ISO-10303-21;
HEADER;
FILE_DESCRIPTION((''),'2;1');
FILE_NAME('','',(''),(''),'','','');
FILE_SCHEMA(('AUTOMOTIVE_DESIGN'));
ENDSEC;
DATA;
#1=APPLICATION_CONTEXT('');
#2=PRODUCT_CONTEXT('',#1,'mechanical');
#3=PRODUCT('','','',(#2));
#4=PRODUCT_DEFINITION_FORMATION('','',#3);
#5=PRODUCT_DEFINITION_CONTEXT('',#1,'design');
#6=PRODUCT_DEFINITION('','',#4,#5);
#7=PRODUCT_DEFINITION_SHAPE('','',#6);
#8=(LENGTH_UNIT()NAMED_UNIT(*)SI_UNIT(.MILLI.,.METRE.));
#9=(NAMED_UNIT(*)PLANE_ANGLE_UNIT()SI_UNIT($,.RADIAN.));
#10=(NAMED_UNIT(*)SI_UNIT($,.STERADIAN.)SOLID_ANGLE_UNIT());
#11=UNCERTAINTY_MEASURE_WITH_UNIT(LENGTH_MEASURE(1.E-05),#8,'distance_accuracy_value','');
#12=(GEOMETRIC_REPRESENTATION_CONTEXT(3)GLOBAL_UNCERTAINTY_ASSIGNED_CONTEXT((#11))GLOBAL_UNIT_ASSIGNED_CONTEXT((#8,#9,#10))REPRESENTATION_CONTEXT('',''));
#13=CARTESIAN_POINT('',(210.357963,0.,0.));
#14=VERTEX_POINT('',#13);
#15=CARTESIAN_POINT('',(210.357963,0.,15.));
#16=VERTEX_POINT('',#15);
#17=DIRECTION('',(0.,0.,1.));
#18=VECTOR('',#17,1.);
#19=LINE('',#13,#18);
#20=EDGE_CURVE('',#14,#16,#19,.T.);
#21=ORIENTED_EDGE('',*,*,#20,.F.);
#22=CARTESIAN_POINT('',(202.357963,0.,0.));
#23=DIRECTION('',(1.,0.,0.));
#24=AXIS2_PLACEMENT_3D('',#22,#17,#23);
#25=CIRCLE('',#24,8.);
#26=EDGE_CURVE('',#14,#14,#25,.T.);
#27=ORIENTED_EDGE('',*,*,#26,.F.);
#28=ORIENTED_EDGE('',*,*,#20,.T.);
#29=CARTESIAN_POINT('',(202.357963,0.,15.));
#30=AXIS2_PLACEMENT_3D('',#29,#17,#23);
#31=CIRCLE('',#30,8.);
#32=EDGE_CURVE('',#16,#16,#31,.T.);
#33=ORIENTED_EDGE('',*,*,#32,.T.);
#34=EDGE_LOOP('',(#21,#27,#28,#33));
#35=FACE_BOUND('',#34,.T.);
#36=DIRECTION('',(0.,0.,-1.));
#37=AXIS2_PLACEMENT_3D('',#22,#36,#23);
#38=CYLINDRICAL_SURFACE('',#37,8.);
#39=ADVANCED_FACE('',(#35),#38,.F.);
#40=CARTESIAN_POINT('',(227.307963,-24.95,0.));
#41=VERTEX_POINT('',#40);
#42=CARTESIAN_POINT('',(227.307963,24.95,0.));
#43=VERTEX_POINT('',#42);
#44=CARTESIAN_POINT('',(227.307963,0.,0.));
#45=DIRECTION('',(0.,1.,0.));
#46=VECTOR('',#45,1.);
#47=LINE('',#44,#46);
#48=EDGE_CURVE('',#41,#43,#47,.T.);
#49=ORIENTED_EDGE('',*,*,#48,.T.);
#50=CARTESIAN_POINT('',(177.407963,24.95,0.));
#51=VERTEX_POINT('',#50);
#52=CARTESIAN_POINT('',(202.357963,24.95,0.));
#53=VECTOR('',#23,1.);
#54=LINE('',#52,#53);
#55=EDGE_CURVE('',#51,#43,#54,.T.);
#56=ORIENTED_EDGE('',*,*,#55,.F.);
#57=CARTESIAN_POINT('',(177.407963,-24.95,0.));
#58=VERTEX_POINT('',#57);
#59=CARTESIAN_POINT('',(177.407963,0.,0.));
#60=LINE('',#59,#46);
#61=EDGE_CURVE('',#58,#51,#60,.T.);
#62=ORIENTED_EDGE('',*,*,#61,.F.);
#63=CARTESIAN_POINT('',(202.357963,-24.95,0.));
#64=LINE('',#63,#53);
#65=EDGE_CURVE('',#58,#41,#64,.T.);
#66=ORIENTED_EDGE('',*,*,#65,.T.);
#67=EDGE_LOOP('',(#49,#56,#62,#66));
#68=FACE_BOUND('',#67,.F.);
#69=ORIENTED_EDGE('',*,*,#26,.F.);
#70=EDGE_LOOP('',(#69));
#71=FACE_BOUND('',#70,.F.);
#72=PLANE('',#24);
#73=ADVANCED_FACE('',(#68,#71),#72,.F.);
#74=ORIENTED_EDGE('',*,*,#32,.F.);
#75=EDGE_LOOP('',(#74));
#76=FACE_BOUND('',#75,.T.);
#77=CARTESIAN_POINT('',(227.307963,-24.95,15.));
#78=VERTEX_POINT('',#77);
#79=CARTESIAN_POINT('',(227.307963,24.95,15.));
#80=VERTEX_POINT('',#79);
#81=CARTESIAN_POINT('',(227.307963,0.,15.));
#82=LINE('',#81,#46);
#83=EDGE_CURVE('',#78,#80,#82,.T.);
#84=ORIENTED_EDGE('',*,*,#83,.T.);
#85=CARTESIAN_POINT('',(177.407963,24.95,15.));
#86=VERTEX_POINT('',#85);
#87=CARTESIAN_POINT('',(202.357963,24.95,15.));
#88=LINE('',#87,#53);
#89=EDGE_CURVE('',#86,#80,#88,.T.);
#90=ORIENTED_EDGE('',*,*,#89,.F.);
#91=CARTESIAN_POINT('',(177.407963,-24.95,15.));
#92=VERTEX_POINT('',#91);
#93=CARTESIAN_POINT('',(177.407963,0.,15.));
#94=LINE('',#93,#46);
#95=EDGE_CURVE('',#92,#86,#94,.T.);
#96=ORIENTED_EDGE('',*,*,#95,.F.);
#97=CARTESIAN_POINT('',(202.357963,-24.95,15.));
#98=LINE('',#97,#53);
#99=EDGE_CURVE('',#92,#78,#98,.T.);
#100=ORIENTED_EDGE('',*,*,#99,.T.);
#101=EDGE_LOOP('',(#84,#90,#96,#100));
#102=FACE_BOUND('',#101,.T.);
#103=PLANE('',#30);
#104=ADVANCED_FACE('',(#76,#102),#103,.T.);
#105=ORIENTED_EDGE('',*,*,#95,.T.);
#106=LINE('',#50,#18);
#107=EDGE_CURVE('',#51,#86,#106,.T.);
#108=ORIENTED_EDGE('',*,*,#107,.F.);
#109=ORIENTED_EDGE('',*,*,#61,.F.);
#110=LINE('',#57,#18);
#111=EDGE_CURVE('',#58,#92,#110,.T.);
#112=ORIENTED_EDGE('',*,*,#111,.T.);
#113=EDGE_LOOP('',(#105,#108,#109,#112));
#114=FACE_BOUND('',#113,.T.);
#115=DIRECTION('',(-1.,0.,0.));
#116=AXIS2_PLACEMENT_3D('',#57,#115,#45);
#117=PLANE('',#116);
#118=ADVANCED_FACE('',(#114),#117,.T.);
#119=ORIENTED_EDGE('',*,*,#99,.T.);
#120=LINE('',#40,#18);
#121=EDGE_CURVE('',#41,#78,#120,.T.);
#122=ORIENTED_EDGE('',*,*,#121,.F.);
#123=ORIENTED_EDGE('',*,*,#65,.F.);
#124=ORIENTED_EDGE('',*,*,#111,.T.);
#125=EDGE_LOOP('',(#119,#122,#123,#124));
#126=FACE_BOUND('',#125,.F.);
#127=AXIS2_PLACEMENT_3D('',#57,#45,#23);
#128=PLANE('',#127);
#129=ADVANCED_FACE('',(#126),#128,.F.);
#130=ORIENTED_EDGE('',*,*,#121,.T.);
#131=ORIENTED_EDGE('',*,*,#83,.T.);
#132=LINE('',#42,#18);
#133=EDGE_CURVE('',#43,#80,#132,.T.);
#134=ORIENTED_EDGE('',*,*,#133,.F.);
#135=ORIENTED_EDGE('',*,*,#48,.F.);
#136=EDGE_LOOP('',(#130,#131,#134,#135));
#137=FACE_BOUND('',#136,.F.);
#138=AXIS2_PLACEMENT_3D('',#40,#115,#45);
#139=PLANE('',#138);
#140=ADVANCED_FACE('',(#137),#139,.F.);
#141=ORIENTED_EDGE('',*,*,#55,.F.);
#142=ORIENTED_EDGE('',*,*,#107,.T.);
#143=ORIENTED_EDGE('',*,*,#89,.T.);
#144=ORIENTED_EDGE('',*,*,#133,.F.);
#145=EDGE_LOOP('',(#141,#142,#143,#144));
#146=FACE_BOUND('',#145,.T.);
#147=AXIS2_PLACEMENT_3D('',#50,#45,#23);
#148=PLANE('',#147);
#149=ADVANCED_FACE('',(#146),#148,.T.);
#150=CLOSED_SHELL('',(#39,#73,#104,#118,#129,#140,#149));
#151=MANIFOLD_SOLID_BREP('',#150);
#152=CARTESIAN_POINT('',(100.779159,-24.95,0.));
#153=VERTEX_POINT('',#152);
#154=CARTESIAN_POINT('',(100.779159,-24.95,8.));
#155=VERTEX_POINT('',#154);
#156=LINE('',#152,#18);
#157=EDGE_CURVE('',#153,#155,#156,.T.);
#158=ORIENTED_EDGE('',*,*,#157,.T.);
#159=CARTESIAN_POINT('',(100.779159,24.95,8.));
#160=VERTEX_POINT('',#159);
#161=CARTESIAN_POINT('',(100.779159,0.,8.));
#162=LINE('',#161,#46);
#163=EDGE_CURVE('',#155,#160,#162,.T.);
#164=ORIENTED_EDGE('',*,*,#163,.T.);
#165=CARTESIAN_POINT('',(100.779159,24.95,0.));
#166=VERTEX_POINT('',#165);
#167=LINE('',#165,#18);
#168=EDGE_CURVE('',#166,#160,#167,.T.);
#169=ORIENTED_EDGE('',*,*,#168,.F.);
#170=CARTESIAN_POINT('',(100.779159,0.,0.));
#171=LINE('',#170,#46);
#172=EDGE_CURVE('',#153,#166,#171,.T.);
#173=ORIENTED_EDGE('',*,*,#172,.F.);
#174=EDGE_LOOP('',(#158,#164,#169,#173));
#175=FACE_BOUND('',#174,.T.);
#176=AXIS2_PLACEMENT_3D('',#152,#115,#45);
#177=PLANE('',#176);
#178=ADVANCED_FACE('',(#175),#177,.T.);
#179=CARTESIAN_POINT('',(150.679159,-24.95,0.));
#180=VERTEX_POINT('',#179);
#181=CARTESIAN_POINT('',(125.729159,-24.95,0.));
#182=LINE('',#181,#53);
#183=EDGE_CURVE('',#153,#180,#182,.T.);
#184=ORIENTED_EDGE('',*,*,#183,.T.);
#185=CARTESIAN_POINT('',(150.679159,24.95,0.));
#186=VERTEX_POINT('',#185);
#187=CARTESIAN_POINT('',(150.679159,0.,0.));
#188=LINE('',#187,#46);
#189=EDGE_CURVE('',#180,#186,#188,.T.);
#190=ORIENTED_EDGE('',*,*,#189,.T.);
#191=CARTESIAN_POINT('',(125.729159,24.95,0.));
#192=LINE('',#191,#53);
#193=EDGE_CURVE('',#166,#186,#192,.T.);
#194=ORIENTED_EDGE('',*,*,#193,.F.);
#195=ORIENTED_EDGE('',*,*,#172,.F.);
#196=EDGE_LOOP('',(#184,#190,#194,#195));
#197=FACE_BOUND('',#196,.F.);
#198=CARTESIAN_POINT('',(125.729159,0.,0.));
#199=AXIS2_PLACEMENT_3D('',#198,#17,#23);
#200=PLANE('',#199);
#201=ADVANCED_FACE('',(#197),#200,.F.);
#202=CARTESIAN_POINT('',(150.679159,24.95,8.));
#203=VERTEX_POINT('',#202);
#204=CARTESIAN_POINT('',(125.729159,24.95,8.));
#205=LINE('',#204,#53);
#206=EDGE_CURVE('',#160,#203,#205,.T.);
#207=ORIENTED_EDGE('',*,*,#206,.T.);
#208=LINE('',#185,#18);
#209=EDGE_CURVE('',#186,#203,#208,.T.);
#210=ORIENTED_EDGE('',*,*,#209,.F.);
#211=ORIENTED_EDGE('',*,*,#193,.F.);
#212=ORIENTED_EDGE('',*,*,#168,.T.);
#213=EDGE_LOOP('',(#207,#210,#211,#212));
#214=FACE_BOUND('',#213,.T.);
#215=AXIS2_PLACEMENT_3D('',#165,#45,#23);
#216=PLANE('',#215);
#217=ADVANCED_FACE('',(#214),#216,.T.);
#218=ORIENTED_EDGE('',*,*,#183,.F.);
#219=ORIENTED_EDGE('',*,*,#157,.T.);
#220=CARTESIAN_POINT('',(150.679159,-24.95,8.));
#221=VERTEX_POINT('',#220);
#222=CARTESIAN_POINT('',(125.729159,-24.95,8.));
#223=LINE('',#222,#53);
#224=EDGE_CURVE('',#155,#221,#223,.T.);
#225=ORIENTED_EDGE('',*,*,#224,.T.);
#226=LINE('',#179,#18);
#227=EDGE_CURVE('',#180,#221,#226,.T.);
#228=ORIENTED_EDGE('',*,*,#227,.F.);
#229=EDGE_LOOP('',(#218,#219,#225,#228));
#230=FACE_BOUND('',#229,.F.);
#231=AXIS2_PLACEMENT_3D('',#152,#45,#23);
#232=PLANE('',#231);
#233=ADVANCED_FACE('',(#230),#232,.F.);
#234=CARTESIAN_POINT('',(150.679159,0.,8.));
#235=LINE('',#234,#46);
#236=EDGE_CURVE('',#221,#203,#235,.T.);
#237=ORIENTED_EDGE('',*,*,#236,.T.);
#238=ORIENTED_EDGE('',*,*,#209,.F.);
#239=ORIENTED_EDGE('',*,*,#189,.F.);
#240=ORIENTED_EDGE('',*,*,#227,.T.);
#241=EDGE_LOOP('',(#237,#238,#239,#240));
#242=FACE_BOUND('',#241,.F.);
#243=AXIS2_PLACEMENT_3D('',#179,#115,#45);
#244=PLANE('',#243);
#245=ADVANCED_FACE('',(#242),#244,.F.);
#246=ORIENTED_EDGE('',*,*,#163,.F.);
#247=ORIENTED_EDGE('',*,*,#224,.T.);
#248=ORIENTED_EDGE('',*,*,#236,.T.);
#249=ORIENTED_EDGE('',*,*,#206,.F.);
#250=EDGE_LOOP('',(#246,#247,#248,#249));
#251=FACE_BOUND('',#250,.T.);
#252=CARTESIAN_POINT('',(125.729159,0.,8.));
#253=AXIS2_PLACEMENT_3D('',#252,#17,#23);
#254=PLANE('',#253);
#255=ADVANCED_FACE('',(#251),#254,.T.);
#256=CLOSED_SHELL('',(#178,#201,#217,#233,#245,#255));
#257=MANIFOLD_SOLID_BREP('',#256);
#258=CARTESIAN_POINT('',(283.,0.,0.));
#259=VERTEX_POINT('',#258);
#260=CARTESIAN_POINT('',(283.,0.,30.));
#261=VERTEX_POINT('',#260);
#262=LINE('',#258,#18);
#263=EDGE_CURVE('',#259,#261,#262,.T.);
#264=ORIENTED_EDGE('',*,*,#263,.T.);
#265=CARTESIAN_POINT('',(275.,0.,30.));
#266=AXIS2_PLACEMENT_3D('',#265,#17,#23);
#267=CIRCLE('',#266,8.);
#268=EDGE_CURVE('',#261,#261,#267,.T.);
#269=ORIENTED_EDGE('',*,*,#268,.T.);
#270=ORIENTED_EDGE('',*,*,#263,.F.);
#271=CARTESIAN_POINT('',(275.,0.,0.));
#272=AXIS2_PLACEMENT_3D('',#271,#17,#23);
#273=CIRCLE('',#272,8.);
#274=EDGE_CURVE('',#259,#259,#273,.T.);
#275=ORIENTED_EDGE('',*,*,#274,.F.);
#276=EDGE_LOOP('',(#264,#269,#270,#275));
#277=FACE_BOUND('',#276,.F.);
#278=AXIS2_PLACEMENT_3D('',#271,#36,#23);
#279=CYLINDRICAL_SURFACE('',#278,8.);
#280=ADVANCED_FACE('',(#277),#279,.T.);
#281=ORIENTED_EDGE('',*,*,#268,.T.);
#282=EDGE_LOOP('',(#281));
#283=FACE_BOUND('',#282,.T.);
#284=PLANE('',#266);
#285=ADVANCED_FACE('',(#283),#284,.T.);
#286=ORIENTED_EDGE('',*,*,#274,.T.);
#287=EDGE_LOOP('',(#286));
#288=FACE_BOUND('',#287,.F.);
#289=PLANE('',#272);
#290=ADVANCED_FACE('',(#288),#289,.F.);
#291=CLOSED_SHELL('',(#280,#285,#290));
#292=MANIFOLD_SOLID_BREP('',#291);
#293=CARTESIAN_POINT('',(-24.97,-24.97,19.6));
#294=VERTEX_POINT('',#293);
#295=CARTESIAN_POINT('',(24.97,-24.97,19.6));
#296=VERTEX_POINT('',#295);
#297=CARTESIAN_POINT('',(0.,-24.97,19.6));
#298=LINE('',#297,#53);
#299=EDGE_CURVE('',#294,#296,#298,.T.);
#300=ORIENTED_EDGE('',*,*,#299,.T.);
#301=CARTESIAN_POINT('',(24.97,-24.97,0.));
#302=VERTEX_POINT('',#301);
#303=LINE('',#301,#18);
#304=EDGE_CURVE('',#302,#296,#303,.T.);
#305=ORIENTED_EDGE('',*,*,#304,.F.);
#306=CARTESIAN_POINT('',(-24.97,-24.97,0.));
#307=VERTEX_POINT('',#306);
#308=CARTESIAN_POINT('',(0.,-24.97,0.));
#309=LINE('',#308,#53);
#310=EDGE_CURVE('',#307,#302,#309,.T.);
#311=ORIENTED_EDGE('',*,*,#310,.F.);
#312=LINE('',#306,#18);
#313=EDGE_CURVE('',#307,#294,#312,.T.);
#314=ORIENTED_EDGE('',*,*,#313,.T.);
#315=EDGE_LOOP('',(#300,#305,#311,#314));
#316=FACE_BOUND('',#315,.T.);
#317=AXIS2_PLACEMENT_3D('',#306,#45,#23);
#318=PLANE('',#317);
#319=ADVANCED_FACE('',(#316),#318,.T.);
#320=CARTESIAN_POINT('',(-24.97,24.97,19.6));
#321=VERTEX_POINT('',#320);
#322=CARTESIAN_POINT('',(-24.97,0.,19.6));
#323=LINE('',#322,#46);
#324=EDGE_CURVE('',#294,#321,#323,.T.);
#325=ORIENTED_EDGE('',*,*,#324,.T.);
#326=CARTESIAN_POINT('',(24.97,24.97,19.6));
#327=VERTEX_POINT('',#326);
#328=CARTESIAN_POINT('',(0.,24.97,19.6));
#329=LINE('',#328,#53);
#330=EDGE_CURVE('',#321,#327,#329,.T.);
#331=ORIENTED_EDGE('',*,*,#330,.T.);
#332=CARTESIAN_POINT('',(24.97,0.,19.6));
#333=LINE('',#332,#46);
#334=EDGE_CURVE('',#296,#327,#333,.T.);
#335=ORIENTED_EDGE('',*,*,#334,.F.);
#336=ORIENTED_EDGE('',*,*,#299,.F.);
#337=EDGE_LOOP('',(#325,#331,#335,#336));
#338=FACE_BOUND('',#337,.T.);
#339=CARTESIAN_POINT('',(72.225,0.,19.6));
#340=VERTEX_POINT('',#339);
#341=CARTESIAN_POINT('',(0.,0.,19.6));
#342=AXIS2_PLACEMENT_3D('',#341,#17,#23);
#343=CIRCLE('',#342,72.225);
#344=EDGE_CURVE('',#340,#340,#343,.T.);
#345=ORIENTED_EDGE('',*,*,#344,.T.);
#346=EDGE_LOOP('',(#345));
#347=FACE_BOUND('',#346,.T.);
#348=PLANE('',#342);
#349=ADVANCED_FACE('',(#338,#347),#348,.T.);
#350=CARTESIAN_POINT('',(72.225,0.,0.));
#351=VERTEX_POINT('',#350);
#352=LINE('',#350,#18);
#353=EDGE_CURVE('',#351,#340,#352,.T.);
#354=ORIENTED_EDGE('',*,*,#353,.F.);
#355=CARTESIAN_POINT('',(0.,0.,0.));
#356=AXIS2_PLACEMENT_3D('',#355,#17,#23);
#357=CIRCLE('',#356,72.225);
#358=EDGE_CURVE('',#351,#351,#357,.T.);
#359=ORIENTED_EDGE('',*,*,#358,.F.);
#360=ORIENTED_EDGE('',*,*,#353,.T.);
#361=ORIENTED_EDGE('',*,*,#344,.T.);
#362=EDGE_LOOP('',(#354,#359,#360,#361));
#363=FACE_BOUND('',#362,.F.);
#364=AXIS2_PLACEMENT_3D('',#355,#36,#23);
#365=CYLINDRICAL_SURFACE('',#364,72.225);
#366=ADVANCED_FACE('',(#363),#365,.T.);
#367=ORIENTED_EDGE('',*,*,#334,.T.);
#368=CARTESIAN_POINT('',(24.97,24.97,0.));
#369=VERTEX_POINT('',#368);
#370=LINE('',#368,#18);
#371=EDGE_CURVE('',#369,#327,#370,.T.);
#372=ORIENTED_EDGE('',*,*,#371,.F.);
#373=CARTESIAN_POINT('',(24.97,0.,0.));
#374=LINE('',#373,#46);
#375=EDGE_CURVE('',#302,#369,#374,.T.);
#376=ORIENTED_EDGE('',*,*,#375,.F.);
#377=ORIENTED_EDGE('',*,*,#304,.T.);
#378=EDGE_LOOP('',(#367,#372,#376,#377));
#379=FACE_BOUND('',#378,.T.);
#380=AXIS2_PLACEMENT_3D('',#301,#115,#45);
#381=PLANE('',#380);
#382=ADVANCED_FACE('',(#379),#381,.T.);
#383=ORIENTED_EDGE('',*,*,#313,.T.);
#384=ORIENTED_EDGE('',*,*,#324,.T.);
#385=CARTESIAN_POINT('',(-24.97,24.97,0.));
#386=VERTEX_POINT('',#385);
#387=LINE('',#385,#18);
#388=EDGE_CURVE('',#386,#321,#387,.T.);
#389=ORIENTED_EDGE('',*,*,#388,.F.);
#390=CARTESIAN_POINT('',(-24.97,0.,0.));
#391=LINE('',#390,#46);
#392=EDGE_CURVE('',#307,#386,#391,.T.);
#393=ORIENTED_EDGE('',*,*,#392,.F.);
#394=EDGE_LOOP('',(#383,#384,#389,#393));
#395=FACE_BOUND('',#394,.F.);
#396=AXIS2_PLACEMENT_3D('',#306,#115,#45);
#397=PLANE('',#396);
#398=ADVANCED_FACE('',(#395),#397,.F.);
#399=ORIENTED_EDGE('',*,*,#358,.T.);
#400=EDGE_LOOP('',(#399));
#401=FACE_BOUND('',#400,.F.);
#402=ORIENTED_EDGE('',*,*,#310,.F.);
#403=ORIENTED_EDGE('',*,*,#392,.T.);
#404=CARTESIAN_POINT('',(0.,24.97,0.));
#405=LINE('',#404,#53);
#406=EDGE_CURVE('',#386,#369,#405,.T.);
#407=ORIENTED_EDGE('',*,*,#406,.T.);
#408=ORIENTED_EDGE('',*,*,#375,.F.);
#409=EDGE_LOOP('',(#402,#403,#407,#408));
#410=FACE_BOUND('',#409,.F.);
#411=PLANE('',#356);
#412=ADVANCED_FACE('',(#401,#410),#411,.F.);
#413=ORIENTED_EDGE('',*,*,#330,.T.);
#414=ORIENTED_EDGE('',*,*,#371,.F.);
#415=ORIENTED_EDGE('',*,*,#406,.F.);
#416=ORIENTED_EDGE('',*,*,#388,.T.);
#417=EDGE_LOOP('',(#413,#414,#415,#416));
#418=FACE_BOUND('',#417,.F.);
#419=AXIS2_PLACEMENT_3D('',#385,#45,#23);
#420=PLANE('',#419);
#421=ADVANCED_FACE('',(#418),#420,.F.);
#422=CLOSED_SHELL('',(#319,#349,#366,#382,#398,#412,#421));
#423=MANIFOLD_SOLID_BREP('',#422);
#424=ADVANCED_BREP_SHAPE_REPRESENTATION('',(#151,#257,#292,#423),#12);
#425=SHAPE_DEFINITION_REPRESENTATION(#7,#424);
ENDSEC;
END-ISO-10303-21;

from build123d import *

# Parameters (mm, degrees)
F0_R     = 72.225
F0_W     = 49.94
F0_H     = 49.94
F1_DEPTH = 19.6
F2_W     = 49.9
F2_H     = 49.9
F3_DEPTH = 8
F4_W     = 49.9
F4_H     = 49.9
F4_R     = 8
F5_DEPTH = 15
F6_R     = 8
F7_DEPTH = 30


with BuildPart() as f1:
    # F0 (on Top) → F1 (new body)
    with BuildSketch(Plane.XY):
        Circle(F0_R)
        Rectangle(F0_W, F0_H, mode=Mode.SUBTRACT)
    extrude(amount=F1_DEPTH)


with BuildPart() as f3:
    # F2 (on Top) → F3 (new body)
    with BuildSketch(Plane.XY):
        with Locations((125.729159, 0)):
            Rectangle(F2_W, F2_H)
    extrude(amount=F3_DEPTH)


with BuildPart() as f5:
    # F4 (on Top) → F5 (new body)
    with BuildSketch(Plane.XY):
        with Locations((202.357963, 0)):
            Rectangle(F4_W, F4_H)
        with Locations((202.357963, 0)):
            Circle(F4_R, mode=Mode.SUBTRACT)
    extrude(amount=F5_DEPTH)


with BuildPart() as f7:
    # F6 (on Top) → F7 (new body)
    with BuildSketch(Plane.XY):
        with Locations((275, 0)):
            Circle(F6_R)
    extrude(amount=F7_DEPTH)


solid = Compound([f1.part, f3.part, f5.part, f7.part])
